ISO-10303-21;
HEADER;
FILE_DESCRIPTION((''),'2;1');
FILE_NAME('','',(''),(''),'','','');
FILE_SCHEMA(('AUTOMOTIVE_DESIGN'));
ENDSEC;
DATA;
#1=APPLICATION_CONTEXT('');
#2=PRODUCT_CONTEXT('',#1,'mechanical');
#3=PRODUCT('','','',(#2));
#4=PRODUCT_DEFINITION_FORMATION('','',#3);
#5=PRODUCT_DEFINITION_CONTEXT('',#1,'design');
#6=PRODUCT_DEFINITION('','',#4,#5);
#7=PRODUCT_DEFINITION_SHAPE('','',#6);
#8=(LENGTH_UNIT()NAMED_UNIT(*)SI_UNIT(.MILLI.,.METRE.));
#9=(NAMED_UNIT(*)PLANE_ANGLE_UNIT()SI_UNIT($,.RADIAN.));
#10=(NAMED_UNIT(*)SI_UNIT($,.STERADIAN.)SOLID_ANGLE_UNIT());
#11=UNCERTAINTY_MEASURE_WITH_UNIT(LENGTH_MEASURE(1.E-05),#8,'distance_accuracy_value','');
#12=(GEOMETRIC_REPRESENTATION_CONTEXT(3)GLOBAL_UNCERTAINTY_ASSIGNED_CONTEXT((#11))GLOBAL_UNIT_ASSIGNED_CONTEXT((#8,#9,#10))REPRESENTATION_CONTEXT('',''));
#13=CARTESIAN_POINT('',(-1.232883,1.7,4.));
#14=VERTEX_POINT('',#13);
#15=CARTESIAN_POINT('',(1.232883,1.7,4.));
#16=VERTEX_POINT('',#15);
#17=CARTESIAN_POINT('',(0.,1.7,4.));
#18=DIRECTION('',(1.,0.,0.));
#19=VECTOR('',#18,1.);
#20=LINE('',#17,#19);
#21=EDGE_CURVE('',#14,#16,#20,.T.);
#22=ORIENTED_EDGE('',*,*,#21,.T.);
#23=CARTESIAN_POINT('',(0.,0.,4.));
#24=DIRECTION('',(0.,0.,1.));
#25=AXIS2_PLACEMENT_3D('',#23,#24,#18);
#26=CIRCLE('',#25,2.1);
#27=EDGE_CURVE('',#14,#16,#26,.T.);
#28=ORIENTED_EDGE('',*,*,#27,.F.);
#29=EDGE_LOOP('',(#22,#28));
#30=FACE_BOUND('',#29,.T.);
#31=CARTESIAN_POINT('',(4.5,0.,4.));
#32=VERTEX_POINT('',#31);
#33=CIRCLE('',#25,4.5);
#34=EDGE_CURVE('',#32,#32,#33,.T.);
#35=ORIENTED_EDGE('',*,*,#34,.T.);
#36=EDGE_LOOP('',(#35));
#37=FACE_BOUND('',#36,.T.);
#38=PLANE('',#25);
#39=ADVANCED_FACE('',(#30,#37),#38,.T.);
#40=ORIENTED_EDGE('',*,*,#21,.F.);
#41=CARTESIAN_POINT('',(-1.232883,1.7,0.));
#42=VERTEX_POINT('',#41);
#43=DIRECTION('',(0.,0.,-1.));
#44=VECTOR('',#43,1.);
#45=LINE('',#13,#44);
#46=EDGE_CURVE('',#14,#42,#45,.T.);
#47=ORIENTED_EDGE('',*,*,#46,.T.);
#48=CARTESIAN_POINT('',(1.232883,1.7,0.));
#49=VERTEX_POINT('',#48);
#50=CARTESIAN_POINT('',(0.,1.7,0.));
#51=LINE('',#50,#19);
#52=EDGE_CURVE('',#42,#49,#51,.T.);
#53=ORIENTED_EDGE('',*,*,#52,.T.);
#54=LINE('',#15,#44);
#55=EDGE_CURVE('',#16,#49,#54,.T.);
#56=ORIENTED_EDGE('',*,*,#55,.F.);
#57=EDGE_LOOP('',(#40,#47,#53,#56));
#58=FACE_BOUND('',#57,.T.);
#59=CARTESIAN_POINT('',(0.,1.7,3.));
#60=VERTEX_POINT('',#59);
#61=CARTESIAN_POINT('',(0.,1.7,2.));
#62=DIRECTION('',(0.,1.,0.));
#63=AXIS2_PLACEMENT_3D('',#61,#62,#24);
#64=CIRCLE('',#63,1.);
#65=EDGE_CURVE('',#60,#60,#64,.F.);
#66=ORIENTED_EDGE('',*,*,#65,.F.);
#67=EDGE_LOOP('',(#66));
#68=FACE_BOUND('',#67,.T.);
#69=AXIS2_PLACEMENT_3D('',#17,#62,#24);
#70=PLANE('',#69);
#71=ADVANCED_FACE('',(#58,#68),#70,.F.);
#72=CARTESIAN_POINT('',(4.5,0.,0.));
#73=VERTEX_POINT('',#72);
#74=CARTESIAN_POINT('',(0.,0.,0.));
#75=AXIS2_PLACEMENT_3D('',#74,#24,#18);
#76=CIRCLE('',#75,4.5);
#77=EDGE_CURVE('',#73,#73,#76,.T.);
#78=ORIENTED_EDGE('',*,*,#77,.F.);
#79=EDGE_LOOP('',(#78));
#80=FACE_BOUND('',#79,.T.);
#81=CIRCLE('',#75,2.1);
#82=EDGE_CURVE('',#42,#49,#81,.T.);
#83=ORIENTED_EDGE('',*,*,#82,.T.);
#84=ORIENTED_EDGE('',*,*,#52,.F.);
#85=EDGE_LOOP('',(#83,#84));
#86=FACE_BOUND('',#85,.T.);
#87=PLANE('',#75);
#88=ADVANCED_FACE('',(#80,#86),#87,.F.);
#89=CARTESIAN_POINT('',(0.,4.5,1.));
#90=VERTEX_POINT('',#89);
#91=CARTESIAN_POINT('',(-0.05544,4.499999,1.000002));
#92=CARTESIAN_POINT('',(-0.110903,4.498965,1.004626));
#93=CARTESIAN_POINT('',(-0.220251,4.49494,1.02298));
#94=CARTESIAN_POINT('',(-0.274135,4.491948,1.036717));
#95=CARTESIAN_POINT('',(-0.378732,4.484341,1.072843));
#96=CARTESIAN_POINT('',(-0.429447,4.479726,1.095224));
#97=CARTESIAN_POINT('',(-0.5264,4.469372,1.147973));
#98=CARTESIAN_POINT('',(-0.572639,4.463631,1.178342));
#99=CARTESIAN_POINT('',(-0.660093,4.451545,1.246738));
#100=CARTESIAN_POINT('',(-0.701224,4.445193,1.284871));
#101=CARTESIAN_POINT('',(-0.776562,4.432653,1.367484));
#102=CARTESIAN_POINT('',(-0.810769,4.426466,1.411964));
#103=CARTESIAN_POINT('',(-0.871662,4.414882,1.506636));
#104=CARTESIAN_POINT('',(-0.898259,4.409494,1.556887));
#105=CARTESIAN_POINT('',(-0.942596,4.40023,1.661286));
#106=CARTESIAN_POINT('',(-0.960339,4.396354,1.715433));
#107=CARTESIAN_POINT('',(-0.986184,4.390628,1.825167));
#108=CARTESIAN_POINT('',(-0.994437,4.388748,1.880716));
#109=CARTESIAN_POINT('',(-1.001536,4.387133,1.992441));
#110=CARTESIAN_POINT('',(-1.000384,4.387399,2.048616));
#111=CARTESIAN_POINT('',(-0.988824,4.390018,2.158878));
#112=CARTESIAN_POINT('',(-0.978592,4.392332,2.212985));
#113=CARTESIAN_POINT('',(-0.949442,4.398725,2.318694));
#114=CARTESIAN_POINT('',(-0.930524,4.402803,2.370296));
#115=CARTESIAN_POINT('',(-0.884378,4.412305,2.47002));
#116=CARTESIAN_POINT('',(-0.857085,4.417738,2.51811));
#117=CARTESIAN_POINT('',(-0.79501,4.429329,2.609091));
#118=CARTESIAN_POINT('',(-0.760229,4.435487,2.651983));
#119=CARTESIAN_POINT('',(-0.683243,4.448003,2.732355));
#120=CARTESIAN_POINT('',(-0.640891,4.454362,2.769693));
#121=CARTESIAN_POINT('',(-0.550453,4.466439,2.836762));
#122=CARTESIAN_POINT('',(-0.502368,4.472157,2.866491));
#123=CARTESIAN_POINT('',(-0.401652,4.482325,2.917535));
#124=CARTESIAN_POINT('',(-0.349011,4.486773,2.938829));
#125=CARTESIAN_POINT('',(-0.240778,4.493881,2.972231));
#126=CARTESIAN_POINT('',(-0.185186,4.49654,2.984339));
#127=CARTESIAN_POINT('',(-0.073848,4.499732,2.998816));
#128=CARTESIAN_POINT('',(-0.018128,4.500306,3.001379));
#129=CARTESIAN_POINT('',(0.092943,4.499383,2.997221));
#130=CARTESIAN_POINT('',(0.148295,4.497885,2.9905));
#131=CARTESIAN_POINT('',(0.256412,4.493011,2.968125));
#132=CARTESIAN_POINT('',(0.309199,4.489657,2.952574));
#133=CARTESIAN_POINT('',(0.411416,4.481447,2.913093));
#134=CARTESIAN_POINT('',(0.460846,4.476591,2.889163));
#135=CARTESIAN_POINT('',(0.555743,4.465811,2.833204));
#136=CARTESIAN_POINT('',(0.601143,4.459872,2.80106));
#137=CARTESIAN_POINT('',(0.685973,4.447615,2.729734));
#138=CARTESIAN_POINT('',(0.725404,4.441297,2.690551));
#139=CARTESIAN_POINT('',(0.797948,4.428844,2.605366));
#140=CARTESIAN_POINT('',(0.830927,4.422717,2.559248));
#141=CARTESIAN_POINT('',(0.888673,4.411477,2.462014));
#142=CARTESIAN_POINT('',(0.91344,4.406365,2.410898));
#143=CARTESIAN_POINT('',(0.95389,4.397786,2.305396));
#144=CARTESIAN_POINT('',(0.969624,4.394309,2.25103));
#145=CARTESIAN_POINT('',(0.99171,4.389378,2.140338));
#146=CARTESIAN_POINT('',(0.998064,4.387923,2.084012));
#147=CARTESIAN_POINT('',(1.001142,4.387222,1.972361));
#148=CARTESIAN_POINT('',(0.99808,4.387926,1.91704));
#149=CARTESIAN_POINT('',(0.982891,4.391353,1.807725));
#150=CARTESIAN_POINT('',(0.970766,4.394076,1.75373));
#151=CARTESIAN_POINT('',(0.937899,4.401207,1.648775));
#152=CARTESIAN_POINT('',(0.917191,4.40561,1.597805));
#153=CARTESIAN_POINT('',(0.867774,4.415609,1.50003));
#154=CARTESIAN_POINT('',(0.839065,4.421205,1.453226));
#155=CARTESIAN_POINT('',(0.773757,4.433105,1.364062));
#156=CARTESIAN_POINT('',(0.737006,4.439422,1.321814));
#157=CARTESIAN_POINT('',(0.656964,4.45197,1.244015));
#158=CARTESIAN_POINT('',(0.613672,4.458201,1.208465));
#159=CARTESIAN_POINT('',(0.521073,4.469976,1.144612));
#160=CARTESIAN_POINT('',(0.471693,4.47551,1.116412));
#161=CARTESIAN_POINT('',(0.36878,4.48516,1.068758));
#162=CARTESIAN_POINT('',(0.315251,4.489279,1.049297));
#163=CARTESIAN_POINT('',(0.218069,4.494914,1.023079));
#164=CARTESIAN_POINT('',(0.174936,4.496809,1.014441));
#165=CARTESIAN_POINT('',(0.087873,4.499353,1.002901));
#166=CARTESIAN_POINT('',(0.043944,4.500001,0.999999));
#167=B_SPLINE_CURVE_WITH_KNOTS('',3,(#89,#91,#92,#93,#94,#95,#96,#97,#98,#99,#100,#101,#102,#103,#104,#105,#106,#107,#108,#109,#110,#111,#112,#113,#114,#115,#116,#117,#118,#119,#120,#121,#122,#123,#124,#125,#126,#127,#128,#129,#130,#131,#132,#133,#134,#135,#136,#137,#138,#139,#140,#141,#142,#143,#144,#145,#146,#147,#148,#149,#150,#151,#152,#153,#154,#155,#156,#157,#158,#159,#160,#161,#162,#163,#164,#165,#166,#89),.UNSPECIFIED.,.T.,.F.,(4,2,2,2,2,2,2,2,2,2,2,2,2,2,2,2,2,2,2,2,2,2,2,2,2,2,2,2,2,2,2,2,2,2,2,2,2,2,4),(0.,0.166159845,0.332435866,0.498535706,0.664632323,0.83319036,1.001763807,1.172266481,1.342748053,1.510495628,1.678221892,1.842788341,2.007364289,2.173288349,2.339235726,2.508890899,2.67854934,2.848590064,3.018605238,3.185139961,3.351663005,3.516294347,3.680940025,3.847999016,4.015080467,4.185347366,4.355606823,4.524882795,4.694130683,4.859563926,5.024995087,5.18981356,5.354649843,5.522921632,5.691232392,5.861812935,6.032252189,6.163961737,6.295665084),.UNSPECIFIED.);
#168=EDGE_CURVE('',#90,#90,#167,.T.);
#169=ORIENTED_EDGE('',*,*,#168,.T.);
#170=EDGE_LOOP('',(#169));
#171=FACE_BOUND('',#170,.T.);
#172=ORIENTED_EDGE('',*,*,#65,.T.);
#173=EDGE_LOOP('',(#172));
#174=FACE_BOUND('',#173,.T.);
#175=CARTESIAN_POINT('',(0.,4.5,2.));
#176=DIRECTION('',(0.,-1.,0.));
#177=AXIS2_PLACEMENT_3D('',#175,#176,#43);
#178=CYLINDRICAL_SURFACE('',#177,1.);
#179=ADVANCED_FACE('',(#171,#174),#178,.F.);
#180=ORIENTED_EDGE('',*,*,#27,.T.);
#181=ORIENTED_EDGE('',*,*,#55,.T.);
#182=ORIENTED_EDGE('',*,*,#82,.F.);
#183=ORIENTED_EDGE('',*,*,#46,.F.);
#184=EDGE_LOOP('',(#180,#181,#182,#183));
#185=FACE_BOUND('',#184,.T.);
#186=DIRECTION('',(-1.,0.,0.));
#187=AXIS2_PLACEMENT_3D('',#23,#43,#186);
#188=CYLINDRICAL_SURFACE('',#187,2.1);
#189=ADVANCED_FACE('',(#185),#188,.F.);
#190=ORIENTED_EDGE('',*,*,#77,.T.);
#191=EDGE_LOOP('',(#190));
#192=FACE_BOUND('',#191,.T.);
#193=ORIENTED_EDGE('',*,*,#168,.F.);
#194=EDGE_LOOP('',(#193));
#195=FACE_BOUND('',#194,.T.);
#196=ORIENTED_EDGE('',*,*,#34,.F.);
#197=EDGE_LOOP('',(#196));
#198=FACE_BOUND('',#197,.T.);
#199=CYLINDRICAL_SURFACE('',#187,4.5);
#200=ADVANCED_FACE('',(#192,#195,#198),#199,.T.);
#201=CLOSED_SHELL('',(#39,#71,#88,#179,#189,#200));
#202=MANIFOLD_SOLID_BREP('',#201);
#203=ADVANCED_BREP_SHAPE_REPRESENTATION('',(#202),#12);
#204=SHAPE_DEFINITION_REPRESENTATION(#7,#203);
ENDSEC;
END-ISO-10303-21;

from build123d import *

# Parameters (mm, degrees)
SKETCH_1_R          = 4.5
EXTRUDE_1_DEPTH     = 4
SKETCH_2_R          = 1
CUT_EXTRUDE_1_DEPTH = 8.516648189


with BuildPart() as part:
    # 草图1 → 凸台-拉伸1 (new body)
    with BuildSketch(Plane.XY):
        Circle(SKETCH_1_R)
        with BuildLine():
            Line((-1.232882801, 1.7), (1.232882801, 1.7))
            ThreePointArc((1.232882801, 1.7), (0, -2.1), (-1.232882801, 1.7))
        make_face(mode=Mode.SUBTRACT)
    extrude(amount=EXTRUDE_1_DEPTH)

    # 草图2 → 切除-拉伸1 (cut, through all)
    with BuildSketch(Plane(origin=(0, 0, 0), x_dir=(1, 0, 0), z_dir=(0, 1, 0))):
        with Locations(Location((0, -2, 0), (0, 0, 90))):
            Circle(SKETCH_2_R)
    extrude(amount=CUT_EXTRUDE_1_DEPTH, mode=Mode.SUBTRACT)


solid = part.part
